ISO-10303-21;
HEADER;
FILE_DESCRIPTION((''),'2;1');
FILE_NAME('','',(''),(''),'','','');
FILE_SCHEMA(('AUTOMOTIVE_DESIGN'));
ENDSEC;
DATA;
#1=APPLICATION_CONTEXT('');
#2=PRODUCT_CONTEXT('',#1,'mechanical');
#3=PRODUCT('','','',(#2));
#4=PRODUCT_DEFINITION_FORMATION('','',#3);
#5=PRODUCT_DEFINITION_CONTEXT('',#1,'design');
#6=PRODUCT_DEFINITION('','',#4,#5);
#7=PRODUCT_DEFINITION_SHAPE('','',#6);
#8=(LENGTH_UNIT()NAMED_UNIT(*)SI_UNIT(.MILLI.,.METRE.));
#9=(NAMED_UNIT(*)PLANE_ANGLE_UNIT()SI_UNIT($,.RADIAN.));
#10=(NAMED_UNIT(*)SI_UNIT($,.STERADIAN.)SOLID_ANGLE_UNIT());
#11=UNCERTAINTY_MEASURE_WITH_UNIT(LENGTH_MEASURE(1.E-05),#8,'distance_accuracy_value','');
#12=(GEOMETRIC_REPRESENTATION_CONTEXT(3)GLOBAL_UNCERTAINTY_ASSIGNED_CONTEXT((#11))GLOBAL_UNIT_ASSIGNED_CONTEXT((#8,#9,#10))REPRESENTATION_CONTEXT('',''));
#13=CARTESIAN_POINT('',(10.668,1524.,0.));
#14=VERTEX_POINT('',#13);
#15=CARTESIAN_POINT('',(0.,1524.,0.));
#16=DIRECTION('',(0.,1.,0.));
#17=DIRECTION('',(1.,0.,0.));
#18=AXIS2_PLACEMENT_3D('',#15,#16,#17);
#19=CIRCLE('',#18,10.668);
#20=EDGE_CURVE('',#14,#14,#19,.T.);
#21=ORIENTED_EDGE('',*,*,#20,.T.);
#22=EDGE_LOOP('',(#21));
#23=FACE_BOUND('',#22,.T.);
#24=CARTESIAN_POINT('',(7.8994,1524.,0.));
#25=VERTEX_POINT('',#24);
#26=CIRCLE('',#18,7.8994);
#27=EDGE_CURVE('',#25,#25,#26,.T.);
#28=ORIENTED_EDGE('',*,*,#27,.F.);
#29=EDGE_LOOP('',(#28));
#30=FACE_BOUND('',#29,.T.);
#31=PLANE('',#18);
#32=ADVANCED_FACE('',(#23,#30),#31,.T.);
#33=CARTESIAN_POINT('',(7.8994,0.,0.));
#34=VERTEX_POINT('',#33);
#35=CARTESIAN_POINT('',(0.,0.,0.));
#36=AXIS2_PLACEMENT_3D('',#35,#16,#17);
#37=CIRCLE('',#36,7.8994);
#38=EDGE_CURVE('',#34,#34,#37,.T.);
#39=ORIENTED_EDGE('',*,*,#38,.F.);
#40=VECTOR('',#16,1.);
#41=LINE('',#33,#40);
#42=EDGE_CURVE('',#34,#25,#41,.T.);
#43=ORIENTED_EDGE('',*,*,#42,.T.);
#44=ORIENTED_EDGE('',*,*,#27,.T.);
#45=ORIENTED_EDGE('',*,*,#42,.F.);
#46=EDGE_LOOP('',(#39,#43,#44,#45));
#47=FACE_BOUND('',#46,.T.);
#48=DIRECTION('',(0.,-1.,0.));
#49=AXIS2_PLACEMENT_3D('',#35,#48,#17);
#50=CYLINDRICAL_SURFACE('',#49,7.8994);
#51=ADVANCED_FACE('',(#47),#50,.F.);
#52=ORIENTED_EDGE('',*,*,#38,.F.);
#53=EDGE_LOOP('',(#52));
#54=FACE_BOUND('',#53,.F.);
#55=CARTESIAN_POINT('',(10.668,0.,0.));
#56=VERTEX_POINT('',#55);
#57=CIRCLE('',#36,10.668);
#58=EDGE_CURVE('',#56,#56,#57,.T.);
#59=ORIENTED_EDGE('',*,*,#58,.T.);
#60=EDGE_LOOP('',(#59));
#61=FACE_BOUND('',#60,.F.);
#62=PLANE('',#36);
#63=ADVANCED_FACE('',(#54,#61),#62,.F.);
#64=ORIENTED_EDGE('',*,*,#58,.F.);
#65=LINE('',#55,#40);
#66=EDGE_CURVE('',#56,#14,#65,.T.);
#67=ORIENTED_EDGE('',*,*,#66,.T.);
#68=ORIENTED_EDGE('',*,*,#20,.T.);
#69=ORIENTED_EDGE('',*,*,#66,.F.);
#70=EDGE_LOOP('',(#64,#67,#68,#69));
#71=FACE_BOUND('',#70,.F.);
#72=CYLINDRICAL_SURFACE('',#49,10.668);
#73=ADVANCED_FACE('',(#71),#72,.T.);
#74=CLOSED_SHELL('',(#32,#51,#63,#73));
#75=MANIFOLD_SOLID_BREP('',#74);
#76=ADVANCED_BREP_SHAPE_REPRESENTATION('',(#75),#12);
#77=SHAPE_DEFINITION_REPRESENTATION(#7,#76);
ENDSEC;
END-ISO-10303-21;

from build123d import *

# Parameters (mm, degrees)
SKETCH1_R           = 10.668
SKETCH1_R_2         = 7.8994
BOSS_EXTRUDE1_DEPTH = 1524


with BuildPart() as part:
    # Sketch1 → Boss-Extrude1 (new body)
    with BuildSketch(Plane(origin=(0, 0, 0), x_dir=(1, 0, 0), z_dir=(0, 1, 0))):
        Circle(SKETCH1_R)
        Circle(SKETCH1_R_2, mode=Mode.SUBTRACT)
    extrude(amount=BOSS_EXTRUDE1_DEPTH)


solid = part.part
